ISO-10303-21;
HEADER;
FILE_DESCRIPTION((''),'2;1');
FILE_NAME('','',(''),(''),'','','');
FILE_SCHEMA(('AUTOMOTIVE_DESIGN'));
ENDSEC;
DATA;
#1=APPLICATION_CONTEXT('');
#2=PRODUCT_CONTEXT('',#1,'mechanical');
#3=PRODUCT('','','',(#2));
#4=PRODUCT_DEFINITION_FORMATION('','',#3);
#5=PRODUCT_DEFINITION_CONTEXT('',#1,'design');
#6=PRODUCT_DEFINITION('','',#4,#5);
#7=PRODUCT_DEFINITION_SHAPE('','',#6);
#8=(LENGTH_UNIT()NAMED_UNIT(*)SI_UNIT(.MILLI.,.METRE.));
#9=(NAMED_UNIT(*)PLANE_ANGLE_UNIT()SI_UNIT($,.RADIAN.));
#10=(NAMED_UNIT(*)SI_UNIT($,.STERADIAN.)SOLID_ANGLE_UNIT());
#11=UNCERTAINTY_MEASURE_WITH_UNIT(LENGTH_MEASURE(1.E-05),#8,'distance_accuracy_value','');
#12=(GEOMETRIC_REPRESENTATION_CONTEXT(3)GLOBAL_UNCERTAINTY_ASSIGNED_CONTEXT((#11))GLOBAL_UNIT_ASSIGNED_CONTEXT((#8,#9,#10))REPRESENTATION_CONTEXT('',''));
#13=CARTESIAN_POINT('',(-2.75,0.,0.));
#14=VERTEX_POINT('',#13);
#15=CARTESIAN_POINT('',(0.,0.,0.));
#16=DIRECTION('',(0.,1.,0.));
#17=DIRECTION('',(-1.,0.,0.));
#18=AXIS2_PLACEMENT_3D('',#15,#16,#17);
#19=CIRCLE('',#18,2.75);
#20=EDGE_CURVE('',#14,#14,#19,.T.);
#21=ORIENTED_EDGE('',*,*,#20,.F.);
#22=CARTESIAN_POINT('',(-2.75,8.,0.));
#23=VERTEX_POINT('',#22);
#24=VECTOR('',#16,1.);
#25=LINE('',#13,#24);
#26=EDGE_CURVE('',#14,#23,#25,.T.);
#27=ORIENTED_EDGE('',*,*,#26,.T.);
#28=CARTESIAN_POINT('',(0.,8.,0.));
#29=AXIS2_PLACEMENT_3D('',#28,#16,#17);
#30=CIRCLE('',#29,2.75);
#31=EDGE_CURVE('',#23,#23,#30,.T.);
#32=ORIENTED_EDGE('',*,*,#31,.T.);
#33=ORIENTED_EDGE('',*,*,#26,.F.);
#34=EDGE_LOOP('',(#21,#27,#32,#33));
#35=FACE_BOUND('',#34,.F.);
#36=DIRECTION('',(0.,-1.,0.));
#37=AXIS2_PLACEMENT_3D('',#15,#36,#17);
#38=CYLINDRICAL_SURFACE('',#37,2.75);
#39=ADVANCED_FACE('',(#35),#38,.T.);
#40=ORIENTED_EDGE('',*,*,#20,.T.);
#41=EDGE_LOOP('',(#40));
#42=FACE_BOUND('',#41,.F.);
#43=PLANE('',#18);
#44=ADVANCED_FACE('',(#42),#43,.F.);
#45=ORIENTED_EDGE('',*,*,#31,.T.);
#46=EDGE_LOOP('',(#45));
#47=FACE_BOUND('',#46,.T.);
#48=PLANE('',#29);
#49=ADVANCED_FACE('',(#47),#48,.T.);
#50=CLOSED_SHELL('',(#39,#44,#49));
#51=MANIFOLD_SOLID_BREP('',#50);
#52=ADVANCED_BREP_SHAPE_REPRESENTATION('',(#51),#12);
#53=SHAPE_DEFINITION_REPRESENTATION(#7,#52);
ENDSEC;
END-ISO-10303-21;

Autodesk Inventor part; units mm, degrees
ref_plane "YZ Plane" through (0, 0, 0) normal (1, 0, 0) x (0, 1, 0)
ref_plane "XZ Plane" through (0, 0, 0) normal (0, 1, 0) x (-1, 0, 0)
ref_plane "XY Plane" through (0, 0, 0) normal (0, 0, 1) x (1, 0, 0)
sketch "Esquisse1" plane through (0, 0, 0) normal (0, 1, 0) x (-1, 0, 0)
  circle A0 centre (0, 0) radius 2.75
  dimension "d0" = 5.5
extrude "Extrusion1" add sketch "Esquisse1" along normal blind 8
thread "Filetage1" size "M5.5x0.5" class "6g" standard "ANSI Metric M Profile" length 5
properties part number "visPlateau"
